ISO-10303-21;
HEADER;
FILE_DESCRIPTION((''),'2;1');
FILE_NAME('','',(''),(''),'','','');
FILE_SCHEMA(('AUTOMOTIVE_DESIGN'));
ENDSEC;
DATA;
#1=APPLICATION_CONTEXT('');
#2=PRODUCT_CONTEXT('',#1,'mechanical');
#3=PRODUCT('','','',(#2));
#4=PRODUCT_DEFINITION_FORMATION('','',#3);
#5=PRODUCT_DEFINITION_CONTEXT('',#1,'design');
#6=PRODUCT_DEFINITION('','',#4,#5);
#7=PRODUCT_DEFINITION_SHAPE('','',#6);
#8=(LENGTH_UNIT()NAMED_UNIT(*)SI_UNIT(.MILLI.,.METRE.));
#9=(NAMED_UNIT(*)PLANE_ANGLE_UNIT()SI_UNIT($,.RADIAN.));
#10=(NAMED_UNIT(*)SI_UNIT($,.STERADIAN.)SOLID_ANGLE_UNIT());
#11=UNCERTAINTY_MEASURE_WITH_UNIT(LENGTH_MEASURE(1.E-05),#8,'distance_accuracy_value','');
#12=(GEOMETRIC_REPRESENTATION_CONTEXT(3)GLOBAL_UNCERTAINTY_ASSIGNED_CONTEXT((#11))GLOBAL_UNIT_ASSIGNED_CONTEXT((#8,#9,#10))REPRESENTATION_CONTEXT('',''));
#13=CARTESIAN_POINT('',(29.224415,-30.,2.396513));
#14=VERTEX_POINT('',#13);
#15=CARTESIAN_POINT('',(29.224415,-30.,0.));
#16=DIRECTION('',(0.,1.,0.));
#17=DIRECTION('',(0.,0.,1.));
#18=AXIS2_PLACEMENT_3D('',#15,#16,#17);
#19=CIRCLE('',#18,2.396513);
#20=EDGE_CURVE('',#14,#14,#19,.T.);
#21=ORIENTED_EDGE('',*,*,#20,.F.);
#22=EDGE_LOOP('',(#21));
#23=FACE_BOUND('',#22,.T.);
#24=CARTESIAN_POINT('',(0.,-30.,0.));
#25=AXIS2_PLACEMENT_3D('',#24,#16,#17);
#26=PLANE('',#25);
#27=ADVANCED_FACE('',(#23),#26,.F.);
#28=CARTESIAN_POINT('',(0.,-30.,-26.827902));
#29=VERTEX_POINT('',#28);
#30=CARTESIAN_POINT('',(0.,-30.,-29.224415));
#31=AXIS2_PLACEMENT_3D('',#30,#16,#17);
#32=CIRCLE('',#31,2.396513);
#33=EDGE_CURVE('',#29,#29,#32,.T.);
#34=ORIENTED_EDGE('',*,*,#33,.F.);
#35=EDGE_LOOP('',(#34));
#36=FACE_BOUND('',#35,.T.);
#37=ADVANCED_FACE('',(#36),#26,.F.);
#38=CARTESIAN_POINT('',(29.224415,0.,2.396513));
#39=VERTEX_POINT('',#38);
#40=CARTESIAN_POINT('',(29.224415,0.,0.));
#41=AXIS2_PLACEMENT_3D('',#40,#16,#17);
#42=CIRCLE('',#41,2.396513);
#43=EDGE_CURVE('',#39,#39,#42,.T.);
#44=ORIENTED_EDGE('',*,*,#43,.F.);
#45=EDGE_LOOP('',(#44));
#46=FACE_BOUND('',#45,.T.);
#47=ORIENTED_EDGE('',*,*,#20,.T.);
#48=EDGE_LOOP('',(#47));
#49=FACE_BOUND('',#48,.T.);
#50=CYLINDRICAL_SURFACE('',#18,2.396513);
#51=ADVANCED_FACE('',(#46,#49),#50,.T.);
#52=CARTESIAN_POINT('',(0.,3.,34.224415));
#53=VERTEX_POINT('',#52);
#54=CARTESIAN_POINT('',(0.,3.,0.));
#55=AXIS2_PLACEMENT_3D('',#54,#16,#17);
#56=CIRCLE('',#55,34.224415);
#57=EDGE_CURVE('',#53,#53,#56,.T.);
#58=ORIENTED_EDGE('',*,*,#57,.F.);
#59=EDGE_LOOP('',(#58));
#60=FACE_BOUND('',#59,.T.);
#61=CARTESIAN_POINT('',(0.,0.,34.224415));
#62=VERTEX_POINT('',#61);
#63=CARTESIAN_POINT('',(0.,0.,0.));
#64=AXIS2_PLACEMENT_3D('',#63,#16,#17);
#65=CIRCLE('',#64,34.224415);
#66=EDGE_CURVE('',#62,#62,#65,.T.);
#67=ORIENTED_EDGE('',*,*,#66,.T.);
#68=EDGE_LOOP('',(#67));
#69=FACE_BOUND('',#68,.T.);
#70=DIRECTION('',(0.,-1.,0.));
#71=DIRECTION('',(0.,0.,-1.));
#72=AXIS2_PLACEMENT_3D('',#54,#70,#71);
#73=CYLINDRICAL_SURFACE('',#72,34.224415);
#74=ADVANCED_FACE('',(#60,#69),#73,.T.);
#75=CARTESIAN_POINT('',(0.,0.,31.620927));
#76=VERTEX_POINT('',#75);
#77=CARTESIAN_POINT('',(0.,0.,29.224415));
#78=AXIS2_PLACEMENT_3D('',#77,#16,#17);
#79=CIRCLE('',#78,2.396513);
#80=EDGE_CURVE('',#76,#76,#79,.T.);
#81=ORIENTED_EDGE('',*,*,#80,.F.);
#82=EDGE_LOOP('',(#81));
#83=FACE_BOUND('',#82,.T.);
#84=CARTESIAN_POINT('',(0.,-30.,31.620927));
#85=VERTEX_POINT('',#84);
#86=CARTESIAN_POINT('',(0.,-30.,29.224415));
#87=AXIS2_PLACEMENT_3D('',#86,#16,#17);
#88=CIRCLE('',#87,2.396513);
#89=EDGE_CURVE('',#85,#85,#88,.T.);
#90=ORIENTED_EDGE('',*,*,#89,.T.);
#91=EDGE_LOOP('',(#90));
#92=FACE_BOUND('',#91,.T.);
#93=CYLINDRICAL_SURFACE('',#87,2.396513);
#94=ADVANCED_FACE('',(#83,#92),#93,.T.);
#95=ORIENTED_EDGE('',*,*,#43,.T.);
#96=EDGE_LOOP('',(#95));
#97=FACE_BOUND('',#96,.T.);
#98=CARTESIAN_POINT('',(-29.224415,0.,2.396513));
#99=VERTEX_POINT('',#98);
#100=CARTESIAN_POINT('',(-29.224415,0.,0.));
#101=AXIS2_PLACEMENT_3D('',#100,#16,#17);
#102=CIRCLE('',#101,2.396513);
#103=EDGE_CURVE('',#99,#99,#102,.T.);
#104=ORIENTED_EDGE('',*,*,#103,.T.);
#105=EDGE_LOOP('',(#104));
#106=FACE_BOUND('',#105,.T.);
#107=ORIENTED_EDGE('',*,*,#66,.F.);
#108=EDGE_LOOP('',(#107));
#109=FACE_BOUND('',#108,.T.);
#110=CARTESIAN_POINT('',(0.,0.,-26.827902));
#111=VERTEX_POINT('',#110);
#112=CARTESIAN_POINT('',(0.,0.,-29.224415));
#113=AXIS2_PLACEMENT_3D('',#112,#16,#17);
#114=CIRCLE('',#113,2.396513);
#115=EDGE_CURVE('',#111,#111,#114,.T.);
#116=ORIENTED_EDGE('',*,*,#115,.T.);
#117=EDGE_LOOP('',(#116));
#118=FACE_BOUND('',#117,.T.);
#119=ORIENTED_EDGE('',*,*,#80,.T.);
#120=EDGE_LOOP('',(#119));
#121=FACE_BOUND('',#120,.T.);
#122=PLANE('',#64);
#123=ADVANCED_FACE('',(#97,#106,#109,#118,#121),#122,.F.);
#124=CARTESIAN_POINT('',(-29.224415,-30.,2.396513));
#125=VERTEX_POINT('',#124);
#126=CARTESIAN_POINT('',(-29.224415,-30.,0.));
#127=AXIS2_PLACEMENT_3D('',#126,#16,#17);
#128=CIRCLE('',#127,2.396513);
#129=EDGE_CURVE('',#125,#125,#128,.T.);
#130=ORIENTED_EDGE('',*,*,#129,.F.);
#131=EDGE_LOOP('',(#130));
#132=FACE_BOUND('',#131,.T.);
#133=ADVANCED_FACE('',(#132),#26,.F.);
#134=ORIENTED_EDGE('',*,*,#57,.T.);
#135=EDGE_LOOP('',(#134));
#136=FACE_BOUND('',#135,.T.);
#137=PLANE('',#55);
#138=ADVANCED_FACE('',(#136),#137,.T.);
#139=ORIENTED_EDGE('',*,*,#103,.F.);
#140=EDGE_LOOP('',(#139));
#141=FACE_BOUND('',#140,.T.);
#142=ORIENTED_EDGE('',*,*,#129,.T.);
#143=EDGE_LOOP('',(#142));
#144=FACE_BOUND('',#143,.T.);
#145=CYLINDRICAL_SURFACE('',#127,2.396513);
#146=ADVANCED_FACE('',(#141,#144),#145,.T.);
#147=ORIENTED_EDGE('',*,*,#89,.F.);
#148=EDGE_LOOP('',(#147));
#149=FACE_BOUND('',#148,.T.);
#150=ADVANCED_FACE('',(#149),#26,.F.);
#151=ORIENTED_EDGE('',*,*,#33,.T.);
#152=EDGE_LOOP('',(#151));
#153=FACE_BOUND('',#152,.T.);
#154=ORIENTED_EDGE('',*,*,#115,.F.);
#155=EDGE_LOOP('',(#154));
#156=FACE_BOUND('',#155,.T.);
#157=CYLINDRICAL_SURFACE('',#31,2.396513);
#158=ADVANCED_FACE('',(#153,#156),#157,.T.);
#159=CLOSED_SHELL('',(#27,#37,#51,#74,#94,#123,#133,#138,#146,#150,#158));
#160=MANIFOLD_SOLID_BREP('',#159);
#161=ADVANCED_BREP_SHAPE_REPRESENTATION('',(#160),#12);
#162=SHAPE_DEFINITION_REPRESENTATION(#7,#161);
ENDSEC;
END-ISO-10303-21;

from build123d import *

# Parameters (mm, degrees)
IZIM2_R                     = 34.224414592
Y_KSEKLIK_EKSTR_ZYON6_DEPTH = 3
IZIM2_3_R                   = 2.396512678
Y_KSEKLIK_EKSTR_ZYON7_DEPTH = 30


with BuildPart() as part:
    # Çizim2 → Yükseklik-Ekstrüzyon6 (new body)
    with BuildSketch(Plane(origin=(0, 0, 0), x_dir=(1, 0, 0), z_dir=(0, 1, 0))):
        Circle(IZIM2_R)
    extrude(amount=Y_KSEKLIK_EKSTR_ZYON6_DEPTH)

    # Çizim2<3> → Yükseklik-Ekstrüzyon7 (add)
    with BuildSketch(Plane(origin=(0, 0, 0), x_dir=(1, 0, 0), z_dir=(0, 1, 0))):
        with Locations((0, 29.224414592)):
            Circle(IZIM2_3_R)
        with Locations((-29.224414592, 0)):
            Circle(IZIM2_3_R)
        with Locations((29.224414592, 0)):
            Circle(IZIM2_3_R)
        with Locations((0, -29.224414592)):
            Circle(IZIM2_3_R)
    extrude(amount=-Y_KSEKLIK_EKSTR_ZYON7_DEPTH)


solid = part.part
